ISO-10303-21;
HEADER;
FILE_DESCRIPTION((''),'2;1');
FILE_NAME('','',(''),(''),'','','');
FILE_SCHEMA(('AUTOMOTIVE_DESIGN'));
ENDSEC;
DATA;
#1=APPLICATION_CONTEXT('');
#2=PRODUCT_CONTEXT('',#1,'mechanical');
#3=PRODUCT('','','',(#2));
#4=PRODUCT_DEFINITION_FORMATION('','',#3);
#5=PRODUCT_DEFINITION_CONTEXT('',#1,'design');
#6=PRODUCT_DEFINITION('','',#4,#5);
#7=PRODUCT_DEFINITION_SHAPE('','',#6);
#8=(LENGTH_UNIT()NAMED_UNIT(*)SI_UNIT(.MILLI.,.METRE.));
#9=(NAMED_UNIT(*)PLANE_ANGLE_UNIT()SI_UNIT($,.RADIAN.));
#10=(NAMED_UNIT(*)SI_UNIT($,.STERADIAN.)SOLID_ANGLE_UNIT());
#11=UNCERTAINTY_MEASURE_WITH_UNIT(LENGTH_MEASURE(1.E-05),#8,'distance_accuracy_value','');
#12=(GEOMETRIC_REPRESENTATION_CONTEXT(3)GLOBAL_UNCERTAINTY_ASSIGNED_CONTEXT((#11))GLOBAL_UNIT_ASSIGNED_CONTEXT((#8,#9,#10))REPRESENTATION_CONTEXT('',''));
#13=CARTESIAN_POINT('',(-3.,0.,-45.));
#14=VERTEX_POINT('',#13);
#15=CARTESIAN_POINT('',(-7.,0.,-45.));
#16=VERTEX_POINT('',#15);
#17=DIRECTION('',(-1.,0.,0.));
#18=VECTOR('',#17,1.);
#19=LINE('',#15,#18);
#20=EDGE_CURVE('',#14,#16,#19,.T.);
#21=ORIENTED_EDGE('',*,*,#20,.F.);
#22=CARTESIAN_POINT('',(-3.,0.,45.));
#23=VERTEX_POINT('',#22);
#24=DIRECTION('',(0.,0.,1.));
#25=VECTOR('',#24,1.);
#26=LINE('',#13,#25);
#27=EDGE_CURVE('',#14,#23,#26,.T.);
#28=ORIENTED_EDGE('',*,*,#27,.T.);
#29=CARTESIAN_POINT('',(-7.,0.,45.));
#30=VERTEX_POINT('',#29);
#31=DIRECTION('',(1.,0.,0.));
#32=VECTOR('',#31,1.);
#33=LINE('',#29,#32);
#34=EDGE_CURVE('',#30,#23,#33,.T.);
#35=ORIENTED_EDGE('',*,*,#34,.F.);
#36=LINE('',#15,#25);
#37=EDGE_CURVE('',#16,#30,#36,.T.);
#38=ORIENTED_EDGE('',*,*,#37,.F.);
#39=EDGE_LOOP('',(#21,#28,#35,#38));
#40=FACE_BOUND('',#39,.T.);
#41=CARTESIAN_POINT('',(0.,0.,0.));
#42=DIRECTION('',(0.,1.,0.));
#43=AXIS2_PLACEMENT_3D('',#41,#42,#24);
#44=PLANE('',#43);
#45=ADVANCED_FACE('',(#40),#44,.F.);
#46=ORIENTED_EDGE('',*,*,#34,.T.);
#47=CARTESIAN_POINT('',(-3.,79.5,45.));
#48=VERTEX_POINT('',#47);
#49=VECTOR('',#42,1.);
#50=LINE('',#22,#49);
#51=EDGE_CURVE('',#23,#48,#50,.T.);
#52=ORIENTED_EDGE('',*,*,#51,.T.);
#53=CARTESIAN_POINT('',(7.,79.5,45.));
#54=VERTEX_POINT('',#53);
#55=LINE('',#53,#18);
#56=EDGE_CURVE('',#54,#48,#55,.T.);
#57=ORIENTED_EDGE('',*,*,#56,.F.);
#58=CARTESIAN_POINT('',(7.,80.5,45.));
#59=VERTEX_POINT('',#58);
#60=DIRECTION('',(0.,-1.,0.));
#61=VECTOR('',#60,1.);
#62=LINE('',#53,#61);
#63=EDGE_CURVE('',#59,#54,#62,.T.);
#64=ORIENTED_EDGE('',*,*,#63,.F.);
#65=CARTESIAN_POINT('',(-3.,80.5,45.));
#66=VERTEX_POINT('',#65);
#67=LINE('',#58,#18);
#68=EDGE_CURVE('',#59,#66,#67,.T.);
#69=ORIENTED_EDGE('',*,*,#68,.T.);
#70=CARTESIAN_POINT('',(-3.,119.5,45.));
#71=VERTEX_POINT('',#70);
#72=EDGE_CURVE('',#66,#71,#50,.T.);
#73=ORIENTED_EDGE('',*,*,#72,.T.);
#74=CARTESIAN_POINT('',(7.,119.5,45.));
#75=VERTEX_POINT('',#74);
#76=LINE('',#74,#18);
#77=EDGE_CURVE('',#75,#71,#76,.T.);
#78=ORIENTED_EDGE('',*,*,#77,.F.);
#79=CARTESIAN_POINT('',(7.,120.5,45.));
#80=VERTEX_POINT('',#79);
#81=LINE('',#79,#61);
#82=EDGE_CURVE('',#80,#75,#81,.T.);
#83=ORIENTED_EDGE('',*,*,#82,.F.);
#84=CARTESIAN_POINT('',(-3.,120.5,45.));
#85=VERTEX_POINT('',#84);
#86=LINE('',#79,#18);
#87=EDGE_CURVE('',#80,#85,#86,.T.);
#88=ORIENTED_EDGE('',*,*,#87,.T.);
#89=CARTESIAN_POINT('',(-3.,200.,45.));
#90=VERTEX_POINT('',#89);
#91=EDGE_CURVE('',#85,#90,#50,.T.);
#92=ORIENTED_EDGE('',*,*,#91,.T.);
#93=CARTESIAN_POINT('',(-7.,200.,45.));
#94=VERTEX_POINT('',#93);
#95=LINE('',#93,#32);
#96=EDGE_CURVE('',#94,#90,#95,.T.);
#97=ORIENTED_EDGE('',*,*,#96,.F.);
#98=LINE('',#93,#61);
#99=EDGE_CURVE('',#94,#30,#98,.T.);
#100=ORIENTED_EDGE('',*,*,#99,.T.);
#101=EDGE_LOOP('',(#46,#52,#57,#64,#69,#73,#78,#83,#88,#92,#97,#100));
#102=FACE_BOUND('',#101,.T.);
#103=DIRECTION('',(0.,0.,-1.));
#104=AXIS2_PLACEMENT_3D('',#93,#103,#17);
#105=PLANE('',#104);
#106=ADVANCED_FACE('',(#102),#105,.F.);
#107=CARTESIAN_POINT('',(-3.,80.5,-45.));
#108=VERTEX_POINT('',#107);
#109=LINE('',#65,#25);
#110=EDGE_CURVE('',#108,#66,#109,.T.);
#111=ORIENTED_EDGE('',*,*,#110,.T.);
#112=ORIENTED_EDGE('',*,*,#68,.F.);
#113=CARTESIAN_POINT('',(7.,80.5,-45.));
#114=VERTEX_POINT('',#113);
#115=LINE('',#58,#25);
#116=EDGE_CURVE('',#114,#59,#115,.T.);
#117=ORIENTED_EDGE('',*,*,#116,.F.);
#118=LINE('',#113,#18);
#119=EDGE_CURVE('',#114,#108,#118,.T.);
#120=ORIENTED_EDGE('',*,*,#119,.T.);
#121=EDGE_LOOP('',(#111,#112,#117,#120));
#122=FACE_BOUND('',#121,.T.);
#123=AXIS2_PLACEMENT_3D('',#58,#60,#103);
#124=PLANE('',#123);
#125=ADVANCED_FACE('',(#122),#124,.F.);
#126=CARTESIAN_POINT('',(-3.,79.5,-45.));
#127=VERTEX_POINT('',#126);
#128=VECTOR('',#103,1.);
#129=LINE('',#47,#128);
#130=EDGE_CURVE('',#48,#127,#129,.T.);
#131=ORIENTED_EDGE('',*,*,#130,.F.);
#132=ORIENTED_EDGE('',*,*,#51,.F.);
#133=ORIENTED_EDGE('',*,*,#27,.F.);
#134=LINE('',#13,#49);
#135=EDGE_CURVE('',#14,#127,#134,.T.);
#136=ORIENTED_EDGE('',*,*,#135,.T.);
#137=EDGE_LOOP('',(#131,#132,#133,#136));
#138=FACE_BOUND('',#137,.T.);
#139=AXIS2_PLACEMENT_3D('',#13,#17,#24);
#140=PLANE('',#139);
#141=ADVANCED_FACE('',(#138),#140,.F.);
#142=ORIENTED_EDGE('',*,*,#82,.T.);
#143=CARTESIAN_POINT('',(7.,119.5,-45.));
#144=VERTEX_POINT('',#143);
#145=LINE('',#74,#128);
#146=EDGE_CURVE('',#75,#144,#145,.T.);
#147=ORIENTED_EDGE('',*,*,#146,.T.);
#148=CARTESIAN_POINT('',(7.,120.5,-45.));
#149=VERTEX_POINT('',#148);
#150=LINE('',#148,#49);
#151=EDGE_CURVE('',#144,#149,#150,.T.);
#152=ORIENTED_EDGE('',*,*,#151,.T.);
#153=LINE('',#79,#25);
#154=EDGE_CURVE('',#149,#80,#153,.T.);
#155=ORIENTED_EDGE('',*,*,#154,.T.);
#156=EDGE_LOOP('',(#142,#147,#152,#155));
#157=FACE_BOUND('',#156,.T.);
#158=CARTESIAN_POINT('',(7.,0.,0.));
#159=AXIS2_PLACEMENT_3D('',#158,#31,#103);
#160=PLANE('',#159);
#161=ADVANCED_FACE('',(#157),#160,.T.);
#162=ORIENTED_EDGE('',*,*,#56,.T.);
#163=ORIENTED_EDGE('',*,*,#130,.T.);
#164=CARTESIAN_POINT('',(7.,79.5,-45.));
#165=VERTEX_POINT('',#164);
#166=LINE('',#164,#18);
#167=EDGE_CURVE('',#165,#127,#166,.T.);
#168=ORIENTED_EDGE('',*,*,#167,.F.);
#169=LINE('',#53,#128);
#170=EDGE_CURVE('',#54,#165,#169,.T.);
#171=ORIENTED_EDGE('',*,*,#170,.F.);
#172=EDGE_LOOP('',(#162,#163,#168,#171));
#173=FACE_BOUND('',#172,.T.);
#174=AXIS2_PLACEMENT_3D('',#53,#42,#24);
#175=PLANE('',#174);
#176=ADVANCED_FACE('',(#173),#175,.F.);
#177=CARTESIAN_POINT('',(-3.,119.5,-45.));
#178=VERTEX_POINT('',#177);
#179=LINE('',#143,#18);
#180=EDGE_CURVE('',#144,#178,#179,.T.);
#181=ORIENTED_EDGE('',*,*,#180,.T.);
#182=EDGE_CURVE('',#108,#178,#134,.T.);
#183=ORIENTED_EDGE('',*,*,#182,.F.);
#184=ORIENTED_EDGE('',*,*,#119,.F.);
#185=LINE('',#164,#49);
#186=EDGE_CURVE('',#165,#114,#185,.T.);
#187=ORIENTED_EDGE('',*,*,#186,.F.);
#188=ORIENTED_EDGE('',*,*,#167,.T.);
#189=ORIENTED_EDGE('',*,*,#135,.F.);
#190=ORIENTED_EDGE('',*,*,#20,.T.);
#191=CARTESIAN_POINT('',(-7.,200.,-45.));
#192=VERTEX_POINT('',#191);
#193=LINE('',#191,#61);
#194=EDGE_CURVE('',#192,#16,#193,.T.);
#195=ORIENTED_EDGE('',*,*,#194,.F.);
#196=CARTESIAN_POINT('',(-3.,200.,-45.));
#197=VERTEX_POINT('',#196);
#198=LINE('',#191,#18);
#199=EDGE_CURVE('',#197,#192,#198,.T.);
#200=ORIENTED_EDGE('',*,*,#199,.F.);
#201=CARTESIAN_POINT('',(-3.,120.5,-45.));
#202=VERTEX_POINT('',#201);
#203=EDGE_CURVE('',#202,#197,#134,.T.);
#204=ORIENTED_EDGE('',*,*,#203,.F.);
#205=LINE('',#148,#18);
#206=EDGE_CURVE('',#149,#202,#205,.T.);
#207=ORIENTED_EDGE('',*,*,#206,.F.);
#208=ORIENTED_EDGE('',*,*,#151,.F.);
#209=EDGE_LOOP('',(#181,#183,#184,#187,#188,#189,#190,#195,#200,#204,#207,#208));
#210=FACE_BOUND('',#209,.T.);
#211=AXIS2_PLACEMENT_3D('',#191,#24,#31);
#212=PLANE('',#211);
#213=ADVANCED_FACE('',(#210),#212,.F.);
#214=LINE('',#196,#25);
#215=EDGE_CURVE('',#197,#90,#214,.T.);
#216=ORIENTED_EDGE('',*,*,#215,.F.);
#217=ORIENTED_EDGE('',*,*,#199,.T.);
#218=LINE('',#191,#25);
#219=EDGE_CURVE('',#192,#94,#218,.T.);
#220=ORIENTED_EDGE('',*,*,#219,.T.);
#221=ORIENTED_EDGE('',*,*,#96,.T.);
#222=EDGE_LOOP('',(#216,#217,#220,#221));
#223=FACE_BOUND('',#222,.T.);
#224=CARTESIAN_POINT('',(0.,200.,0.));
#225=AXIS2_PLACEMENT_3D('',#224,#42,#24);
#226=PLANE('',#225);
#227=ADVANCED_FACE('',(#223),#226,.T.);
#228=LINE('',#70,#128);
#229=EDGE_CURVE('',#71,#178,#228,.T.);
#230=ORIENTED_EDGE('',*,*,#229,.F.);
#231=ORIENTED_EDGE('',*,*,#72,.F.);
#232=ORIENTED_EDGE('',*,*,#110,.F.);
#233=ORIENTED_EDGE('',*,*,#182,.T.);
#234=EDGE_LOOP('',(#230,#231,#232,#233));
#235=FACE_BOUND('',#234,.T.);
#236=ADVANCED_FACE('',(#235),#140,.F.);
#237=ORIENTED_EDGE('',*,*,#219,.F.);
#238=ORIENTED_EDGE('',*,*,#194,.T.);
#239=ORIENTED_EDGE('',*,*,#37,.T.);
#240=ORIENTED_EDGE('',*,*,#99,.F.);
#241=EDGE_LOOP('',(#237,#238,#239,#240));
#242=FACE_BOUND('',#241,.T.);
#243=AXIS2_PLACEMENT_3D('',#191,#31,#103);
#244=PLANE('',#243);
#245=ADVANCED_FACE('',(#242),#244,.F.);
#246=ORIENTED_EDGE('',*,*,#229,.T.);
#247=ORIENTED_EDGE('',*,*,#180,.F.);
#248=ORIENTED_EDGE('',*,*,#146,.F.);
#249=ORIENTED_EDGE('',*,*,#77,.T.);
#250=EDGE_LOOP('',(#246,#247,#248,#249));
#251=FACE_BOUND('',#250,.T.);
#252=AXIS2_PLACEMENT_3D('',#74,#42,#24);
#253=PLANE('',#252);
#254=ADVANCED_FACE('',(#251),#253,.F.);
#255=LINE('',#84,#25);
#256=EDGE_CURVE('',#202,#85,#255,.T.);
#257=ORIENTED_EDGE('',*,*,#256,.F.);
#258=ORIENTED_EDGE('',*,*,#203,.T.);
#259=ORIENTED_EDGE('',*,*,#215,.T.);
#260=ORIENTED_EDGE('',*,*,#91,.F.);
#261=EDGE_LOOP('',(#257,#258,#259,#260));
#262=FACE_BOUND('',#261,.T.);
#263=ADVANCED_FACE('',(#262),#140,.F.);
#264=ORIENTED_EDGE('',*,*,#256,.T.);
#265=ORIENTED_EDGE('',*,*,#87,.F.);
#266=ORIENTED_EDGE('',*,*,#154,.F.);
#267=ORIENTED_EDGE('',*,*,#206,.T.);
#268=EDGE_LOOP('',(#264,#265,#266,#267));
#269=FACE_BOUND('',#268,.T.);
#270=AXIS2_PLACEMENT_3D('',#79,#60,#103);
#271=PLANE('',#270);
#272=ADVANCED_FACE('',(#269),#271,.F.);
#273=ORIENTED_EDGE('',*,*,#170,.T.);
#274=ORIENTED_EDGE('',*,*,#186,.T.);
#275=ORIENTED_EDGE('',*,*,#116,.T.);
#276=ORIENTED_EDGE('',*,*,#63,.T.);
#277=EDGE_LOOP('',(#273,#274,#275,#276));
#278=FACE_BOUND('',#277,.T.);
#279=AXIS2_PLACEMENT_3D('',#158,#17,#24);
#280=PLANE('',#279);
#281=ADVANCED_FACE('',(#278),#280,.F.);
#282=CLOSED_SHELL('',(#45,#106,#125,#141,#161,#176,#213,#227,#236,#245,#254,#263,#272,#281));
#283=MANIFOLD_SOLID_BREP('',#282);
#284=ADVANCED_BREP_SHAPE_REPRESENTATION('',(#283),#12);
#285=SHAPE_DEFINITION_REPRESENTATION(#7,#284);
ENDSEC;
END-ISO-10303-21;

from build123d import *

# Parameters (mm, degrees)
SKETCH1_W           = 14
SKETCH1_H           = 90
BOSS_EXTRUDE1_DEPTH = 200
SKETCH2_W           = 10
SKETCH2_H           = 90
CUT_EXTRUDE1_DEPTH  = 206.119477378
SKETCH3_W           = 90
SKETCH3_H           = 1
BOSS_EXTRUDE2_DEPTH = 10


with BuildPart() as part:
    # Sketch1 → Boss-Extrude1 (new body)
    with BuildSketch(Plane(origin=(0, 0, 0), x_dir=(1, 0, 0), z_dir=(0, 1, 0))):
        Rectangle(SKETCH1_W, SKETCH1_H)
    extrude(amount=BOSS_EXTRUDE1_DEPTH)

    # Sketch2 → Cut-Extrude1 (cut, through all)
    with BuildSketch(Plane(origin=(0, 200, 0), x_dir=(1, 0, 0), z_dir=(0, 1, 0))):
        with Locations((2, 0)):
            Rectangle(SKETCH2_W, SKETCH2_H)
    extrude(amount=-CUT_EXTRUDE1_DEPTH, mode=Mode.SUBTRACT)

    # Sketch3 → Boss-Extrude2 (add)
    with BuildSketch(Plane(origin=(-3, 0, 0), x_dir=(0, 0, -1), z_dir=(1, 0, 0))):
        with Locations((0, 120)):
            Rectangle(SKETCH3_W, SKETCH3_H)
        with Locations((0, 80)):
            Rectangle(SKETCH3_W, SKETCH3_H)
    extrude(amount=BOSS_EXTRUDE2_DEPTH)


solid = part.part
